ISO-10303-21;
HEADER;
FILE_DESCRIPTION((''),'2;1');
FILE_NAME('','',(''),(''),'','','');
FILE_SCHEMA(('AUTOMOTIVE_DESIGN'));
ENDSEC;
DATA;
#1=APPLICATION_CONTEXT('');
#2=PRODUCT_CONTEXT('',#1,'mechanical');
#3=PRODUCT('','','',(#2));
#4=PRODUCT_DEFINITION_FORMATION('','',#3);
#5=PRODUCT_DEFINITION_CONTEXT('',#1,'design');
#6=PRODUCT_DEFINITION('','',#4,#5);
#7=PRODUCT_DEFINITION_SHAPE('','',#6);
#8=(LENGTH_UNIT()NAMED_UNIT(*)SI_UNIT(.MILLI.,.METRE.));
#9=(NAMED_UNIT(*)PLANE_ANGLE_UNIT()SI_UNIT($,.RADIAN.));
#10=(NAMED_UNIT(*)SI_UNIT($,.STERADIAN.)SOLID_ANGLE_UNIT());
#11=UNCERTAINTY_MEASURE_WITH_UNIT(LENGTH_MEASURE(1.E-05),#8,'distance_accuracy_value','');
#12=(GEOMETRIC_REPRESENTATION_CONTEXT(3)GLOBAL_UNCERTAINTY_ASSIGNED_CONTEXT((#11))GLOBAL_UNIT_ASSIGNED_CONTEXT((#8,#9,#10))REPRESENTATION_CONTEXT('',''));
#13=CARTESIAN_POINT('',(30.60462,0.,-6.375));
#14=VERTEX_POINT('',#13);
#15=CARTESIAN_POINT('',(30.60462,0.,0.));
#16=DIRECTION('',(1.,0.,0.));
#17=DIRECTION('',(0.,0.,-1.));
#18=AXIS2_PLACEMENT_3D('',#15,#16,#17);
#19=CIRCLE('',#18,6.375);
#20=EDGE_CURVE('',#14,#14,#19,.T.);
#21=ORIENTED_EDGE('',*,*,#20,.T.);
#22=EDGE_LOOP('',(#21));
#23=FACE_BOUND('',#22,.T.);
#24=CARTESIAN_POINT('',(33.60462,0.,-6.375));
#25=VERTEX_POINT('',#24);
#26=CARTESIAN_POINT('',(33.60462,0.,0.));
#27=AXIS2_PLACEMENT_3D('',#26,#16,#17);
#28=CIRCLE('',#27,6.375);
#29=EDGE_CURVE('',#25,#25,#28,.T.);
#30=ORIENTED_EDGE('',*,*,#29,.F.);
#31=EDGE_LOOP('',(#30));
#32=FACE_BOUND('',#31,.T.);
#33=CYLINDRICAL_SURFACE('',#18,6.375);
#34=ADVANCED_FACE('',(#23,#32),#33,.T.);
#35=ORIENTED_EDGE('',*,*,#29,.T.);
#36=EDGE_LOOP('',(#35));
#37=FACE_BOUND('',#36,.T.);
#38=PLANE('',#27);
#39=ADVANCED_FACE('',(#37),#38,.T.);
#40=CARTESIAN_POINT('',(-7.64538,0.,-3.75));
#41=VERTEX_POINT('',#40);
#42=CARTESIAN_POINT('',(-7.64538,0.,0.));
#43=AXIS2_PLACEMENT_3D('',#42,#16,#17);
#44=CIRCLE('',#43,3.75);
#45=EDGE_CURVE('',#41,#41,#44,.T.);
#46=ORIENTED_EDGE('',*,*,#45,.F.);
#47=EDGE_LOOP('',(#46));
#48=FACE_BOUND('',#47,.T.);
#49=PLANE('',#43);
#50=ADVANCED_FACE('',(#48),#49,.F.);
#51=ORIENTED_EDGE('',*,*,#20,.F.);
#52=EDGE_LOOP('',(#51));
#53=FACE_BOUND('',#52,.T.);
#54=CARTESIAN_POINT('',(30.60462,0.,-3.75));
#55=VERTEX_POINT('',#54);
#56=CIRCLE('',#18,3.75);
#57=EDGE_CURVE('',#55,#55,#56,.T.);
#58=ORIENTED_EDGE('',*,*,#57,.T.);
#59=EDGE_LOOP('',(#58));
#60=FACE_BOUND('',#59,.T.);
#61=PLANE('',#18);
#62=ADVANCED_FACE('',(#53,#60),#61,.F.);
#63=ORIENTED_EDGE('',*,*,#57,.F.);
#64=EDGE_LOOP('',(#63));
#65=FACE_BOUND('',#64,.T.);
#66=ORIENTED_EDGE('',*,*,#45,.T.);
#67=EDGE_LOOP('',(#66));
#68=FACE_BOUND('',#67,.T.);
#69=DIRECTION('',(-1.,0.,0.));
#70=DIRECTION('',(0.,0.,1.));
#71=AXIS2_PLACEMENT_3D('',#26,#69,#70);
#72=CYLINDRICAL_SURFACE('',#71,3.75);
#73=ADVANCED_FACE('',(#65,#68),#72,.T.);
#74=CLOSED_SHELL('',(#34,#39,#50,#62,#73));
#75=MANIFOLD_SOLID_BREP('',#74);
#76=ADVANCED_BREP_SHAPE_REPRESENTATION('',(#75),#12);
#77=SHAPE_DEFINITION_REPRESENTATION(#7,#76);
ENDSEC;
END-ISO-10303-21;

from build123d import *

# Parameters (mm, degrees)
SKETCH1_R           = 2.5
BOSS_EXTRUDE1_DEPTH = 27.5
BOSS_EXTRUDE2_START = -2
SKETCH2_R           = 4.25
SKETCH2_R_2         = 2.5
BOSS_EXTRUDE2_DEPTH = 2
SCALE1_SCALE        = 1.5


with BuildPart() as part:
    # Sketch1 → Boss-Extrude1 (new body)
    with BuildSketch(Plane(origin=(0, 0, 0), x_dir=(0, 0, -1), z_dir=(1, 0, 0))):
        Circle(SKETCH1_R)
    extrude(amount=BOSS_EXTRUDE1_DEPTH)

    # Sketch2 → Boss-Extrude2 (add)
    with BuildSketch(Plane(origin=(27.5, 0, 0), x_dir=(0, 0, -1), z_dir=(1, 0, 0)).offset(BOSS_EXTRUDE2_START)):
        Circle(SKETCH2_R)
        Circle(SKETCH2_R_2, mode=Mode.SUBTRACT)
    extrude(amount=BOSS_EXTRUDE2_DEPTH)


with BuildPart() as part_1:
    # Scale1: scaled about (15.29076087, 0, 0)
    add(part.part.scale(SCALE1_SCALE).moved(Location((-7.645380435, 0, 0))))


solid = part_1.part
